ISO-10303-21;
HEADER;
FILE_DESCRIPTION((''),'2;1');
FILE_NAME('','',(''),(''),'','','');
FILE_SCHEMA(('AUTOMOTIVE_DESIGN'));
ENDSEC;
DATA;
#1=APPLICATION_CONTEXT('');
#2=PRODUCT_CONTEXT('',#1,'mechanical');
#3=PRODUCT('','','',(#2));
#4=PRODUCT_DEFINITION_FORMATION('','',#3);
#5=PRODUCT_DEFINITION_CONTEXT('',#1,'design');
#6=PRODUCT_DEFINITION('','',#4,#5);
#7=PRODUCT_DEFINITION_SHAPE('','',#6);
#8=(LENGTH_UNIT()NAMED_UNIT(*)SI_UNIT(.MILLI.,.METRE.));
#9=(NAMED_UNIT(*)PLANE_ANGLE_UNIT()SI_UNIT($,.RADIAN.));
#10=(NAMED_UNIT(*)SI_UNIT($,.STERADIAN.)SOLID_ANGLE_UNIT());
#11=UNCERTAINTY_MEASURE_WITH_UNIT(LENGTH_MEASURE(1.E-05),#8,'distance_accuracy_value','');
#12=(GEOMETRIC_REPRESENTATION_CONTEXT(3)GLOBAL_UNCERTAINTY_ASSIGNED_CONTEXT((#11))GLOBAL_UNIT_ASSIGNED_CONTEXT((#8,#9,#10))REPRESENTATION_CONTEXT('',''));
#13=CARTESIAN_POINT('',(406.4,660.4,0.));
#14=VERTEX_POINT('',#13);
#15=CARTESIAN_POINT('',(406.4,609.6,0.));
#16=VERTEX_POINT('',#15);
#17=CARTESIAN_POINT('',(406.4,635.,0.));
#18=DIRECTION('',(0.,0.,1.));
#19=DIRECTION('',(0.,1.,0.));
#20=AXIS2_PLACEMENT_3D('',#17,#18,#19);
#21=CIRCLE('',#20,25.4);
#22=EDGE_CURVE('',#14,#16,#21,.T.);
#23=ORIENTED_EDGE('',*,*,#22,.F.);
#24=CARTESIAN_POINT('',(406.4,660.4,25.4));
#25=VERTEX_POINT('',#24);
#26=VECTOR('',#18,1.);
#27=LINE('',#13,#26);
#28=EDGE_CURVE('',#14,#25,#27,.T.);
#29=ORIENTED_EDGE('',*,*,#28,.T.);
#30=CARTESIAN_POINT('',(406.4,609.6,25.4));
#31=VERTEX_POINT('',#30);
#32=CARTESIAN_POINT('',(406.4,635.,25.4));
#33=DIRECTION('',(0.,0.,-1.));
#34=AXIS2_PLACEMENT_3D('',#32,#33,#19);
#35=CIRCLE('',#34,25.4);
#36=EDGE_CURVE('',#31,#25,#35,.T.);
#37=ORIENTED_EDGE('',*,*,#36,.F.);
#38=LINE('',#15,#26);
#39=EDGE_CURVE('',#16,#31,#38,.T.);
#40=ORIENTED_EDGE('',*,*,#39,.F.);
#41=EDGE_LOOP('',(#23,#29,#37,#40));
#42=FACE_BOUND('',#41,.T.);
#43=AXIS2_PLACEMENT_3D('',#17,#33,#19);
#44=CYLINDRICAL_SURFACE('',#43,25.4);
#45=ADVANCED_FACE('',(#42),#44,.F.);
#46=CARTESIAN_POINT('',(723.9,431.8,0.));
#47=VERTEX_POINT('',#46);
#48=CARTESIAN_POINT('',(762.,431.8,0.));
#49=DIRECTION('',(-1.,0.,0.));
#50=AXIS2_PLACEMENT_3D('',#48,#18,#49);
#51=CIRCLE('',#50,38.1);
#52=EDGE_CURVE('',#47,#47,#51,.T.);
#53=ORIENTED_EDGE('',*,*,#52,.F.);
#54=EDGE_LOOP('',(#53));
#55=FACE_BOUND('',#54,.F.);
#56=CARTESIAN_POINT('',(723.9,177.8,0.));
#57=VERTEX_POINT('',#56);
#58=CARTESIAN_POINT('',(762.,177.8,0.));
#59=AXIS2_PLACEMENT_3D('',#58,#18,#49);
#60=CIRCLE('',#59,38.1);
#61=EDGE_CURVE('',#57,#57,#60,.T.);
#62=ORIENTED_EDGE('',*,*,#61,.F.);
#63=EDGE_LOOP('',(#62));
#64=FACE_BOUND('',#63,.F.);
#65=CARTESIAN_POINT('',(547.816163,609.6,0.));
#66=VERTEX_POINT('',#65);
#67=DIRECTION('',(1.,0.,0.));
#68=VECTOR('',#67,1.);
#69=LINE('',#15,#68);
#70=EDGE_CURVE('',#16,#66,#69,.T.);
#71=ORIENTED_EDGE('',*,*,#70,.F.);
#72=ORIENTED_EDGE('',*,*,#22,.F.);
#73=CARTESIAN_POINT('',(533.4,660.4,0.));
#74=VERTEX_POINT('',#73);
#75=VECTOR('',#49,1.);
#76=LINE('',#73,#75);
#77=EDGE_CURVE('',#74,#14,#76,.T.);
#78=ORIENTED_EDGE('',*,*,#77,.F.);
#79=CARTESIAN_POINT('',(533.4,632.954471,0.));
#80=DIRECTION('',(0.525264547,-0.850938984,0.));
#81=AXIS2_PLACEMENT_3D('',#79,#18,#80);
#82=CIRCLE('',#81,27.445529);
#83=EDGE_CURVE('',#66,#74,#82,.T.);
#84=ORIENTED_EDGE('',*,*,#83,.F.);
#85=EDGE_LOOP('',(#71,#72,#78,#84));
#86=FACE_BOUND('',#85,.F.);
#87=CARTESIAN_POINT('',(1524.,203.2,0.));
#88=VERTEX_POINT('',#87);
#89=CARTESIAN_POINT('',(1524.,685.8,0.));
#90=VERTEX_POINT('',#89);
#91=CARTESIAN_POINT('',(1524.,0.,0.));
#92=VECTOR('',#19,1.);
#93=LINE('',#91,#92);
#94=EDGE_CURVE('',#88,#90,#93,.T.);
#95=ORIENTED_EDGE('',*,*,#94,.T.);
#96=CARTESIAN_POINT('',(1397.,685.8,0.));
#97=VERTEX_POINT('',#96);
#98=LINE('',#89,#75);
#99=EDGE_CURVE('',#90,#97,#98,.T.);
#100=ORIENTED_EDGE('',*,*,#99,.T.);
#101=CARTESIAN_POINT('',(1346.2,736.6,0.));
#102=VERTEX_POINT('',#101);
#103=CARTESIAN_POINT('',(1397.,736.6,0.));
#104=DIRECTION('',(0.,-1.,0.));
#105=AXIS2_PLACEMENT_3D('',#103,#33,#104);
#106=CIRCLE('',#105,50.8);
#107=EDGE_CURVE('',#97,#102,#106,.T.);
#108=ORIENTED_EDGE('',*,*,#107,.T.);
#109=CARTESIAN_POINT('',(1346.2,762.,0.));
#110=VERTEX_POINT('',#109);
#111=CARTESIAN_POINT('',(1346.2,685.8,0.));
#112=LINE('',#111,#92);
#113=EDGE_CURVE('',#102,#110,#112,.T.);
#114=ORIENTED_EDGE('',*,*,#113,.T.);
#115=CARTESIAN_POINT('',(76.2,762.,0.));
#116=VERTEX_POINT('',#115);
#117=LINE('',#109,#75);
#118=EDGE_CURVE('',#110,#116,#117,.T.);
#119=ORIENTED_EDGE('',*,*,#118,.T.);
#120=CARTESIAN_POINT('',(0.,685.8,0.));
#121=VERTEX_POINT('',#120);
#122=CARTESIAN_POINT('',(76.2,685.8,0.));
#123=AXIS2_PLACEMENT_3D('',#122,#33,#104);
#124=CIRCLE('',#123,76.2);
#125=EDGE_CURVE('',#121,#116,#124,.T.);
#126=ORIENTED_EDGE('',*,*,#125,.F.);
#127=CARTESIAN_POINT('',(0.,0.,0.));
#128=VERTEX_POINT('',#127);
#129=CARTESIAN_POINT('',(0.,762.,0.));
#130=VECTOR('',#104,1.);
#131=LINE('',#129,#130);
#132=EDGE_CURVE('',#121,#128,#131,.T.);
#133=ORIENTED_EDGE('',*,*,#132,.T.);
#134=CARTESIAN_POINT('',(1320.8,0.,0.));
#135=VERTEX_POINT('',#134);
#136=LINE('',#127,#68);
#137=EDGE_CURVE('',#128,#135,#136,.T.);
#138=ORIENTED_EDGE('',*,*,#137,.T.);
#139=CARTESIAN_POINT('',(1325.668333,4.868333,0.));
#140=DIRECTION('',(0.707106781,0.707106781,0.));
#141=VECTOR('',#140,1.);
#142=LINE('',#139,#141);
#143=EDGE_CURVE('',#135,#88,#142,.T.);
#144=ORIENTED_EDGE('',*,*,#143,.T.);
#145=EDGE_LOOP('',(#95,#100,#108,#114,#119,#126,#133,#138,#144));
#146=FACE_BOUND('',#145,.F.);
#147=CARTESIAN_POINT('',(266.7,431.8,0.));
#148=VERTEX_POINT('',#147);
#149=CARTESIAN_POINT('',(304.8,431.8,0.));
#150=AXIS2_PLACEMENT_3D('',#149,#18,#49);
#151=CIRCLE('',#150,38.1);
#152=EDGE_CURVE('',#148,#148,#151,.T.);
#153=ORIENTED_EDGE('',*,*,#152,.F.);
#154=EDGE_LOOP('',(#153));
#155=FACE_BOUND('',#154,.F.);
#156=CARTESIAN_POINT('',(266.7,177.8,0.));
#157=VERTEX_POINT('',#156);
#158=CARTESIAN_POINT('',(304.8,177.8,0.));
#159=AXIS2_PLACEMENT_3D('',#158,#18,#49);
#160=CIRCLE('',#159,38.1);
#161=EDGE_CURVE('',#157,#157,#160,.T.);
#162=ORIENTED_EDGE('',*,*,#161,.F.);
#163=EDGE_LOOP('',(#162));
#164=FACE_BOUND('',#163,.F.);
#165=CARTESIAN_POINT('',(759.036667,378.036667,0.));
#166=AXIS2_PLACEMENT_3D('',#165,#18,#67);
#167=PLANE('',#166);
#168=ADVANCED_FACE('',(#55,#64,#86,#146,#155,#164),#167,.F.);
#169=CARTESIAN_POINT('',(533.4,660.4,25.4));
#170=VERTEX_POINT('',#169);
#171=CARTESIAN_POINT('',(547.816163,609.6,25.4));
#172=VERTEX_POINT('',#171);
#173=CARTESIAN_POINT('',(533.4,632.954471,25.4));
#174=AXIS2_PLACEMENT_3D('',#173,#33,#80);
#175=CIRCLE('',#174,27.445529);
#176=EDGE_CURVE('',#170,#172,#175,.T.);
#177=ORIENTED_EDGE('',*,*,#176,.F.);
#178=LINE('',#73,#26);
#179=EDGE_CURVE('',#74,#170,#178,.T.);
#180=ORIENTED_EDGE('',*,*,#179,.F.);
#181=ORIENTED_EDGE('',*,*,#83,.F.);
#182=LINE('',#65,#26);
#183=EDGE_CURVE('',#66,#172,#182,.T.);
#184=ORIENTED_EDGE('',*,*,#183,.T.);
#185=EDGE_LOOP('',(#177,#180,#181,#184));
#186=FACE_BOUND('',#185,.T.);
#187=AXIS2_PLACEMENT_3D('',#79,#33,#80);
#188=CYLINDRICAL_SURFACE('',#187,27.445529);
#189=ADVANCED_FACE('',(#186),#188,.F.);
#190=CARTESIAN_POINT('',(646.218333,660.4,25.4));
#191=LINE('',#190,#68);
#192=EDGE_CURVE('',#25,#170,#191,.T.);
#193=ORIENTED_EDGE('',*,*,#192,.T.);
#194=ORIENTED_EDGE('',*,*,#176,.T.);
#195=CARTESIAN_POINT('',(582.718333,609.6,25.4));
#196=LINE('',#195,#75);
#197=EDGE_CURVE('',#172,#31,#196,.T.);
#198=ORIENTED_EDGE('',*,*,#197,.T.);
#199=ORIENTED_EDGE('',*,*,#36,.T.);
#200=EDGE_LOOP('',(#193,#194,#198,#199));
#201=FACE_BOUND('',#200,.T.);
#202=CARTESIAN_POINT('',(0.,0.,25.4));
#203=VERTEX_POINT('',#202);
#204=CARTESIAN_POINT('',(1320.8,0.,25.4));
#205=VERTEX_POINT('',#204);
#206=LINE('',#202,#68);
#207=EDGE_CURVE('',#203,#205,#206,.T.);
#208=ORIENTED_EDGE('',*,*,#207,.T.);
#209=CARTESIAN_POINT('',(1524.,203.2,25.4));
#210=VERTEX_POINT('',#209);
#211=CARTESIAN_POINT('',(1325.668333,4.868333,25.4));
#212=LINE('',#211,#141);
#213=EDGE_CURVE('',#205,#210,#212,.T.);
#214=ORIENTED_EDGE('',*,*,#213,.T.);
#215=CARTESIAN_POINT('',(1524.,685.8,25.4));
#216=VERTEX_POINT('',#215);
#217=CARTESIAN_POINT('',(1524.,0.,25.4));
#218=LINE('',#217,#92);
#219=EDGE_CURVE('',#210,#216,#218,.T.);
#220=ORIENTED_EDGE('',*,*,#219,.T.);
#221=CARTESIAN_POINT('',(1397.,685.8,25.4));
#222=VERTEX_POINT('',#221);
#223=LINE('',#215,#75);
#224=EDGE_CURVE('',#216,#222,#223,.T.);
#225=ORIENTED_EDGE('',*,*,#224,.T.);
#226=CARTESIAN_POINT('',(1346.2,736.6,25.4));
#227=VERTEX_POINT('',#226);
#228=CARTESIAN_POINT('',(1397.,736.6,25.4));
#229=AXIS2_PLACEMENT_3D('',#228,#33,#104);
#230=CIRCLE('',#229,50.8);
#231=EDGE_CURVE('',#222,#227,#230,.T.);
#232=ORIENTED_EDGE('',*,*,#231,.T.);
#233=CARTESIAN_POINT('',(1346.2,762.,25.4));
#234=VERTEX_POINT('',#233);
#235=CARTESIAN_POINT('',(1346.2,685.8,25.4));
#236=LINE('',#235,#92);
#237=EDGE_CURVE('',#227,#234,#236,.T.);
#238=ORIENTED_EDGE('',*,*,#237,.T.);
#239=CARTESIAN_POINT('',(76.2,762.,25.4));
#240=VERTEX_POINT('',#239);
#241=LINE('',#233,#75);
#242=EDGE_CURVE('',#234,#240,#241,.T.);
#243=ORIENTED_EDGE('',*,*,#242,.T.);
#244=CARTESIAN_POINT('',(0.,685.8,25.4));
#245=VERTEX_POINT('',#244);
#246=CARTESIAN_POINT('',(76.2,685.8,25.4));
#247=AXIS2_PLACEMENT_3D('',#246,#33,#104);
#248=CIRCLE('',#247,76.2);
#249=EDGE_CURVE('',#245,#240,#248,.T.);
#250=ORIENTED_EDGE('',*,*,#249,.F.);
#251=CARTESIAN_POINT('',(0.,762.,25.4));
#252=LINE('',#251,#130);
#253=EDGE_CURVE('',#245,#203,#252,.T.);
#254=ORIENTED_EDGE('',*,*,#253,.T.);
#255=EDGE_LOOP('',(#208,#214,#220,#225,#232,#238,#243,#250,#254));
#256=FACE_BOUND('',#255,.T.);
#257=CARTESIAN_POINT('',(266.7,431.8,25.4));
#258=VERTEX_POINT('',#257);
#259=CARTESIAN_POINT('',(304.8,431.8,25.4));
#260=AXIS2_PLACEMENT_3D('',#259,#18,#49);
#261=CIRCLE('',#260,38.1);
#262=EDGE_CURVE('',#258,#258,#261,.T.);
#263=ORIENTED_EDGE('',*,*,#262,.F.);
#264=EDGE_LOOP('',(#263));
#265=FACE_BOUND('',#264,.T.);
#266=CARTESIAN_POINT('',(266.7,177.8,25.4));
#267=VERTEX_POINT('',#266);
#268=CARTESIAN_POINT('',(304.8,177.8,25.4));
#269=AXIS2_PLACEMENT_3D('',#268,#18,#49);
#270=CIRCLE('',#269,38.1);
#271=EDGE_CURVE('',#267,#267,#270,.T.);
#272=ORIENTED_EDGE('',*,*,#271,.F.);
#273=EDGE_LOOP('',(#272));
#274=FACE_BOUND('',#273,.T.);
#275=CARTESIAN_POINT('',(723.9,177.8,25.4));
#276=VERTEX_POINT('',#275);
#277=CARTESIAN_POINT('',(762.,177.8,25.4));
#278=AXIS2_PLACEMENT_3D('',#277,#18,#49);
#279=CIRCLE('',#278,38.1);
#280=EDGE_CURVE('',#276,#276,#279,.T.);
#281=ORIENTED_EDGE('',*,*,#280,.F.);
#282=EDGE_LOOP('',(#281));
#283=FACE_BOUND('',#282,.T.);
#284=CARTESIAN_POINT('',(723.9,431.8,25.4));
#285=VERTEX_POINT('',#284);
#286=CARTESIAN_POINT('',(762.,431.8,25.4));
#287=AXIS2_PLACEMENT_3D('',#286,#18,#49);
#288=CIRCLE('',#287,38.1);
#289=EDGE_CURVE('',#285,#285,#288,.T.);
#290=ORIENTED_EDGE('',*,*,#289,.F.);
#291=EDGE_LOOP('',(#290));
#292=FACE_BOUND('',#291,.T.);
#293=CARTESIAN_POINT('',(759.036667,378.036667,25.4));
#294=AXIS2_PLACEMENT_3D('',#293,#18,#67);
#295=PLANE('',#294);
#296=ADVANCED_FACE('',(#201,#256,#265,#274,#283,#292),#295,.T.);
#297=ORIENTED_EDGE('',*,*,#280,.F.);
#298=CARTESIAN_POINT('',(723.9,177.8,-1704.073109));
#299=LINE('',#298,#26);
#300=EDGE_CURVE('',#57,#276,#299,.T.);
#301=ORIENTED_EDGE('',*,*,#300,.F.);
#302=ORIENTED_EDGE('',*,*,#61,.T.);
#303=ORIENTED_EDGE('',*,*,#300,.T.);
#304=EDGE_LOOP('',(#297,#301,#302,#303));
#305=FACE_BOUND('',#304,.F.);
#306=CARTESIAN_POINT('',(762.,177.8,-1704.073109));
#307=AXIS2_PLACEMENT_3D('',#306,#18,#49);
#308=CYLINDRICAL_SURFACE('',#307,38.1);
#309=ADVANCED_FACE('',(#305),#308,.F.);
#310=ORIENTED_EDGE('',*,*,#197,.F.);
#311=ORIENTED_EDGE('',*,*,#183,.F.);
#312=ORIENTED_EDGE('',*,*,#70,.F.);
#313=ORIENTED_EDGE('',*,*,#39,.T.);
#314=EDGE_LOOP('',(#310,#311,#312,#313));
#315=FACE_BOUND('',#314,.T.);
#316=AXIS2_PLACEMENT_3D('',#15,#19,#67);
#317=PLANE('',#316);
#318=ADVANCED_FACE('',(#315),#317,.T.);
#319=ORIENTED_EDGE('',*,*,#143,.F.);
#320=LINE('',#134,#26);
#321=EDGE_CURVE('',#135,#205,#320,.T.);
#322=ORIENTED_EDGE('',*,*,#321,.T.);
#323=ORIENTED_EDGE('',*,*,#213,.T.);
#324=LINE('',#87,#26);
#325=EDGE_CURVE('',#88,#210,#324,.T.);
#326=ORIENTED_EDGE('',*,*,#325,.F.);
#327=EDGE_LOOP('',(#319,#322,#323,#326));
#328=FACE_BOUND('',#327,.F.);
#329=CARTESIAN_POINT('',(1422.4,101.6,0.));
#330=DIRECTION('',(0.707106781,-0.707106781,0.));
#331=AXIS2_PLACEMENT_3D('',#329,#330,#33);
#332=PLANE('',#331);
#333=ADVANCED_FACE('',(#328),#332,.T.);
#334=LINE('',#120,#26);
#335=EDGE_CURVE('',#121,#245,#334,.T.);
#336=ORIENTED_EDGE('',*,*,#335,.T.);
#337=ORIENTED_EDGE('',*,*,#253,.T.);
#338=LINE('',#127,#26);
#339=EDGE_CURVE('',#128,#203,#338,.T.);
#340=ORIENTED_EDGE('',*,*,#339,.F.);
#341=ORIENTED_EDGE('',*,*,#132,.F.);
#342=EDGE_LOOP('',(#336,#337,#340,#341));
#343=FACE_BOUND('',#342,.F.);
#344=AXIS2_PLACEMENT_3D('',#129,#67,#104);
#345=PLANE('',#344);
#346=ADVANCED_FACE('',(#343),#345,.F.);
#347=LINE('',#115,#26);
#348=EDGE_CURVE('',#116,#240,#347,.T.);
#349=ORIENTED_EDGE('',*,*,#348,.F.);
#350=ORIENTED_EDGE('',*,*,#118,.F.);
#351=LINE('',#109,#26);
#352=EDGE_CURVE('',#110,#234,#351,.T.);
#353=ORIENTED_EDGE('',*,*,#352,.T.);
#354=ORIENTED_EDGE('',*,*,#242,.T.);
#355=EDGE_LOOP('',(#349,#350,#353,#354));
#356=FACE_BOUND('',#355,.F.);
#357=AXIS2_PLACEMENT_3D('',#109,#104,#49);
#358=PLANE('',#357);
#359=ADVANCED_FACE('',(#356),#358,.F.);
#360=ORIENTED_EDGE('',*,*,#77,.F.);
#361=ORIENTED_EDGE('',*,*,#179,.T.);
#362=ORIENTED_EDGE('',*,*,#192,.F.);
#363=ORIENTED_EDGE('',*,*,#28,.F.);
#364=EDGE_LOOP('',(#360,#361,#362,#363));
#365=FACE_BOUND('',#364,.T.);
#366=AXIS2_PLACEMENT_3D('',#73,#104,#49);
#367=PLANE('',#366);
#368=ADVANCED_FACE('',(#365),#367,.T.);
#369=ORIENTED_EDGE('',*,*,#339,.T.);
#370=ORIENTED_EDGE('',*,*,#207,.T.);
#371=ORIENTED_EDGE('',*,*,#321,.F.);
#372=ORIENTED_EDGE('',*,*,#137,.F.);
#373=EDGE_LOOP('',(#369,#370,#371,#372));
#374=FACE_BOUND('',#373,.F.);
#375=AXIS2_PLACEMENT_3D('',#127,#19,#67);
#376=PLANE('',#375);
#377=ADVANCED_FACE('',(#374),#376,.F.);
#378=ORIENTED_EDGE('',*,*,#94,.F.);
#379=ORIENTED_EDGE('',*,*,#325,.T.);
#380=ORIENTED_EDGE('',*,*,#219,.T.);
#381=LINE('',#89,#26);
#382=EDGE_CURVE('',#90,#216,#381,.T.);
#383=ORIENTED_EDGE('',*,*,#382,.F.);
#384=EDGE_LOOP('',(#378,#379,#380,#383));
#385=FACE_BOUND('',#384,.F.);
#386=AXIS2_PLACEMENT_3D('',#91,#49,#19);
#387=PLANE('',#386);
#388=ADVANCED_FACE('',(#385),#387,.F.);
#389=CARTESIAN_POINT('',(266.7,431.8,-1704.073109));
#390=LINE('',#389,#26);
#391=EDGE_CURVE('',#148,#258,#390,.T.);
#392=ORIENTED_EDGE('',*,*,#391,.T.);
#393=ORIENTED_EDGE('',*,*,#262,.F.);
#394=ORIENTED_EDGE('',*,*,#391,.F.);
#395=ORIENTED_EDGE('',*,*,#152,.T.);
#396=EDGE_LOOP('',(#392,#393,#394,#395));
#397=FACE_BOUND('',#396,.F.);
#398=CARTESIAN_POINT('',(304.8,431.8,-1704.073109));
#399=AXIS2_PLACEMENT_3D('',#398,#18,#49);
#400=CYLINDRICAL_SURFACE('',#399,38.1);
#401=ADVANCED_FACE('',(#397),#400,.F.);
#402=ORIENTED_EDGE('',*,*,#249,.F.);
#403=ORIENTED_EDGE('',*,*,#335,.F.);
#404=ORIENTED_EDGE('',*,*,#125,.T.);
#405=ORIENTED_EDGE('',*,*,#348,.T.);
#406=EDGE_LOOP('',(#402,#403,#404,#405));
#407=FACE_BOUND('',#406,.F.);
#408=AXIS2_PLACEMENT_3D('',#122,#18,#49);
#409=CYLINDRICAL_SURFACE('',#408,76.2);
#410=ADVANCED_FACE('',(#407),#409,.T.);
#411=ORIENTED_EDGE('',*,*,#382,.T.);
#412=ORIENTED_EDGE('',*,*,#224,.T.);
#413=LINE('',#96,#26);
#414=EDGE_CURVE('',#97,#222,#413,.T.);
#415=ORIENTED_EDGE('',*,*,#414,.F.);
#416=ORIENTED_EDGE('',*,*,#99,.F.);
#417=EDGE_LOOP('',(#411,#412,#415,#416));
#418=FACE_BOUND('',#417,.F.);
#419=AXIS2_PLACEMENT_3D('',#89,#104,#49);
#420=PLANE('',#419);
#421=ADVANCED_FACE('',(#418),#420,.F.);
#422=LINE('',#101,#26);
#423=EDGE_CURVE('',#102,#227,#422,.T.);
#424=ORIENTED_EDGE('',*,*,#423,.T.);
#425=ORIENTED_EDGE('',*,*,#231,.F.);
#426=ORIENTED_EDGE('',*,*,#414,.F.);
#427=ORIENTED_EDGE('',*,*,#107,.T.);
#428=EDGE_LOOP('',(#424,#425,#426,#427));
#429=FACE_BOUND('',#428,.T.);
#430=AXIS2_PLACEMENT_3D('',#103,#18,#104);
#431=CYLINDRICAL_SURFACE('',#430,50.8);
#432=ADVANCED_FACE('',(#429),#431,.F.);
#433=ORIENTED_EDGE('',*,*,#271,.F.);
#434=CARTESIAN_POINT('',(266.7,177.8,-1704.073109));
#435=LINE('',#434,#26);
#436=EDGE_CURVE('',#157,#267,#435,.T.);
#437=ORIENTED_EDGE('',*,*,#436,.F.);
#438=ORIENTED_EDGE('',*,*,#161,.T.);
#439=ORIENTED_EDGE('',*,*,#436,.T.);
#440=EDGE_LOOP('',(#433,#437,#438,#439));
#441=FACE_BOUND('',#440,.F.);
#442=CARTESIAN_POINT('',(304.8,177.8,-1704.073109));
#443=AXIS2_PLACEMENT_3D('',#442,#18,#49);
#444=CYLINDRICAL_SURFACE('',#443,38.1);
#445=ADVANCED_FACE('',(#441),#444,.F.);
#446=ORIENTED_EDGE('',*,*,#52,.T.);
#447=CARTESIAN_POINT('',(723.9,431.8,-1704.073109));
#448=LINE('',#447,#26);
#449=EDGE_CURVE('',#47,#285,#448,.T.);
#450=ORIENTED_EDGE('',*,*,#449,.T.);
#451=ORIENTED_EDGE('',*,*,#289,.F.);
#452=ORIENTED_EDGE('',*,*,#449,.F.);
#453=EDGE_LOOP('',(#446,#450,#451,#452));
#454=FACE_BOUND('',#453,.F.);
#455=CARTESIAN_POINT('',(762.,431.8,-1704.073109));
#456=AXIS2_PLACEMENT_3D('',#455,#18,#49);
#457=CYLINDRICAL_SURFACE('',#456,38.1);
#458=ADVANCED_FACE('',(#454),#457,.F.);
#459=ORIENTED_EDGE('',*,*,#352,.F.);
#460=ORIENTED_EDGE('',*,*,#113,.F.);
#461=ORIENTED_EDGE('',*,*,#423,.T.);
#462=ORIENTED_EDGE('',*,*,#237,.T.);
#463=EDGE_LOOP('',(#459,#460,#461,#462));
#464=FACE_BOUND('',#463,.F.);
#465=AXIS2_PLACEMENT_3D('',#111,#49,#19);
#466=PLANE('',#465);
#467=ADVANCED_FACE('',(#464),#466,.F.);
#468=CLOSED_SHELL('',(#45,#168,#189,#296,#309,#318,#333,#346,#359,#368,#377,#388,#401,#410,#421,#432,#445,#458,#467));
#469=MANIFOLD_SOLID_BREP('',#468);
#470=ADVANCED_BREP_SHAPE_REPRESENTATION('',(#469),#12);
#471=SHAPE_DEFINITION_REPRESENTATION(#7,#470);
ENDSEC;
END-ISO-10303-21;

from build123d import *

# Parameters (mm, degrees)
F1_DEPTH = 25.4
F2_D     = 76.2
F3_R     = 76.2
F4_SIZE  = 203.2
F5_R     = 50.8
F7_DEPTH = 25.401


with BuildPart() as f1:
    # F0 (on Top) → F1 (new body)
    with BuildSketch(Plane.XY):
        Polygon((0, 762), (0, 0), (1524, 0), (1524, 685.8), (1346.2, 685.8), (1346.2, 762), align=None)
    extrude(amount=F1_DEPTH)

    # F2 (through all)
    with Locations(Plane(origin=(0, 0, 0), x_dir=(1, 0, 0), z_dir=(0, 0, -1))):
        with Locations((304.8, -177.8), (304.8, -431.8), (762, -431.8), (762, -177.8)):
            Hole(F2_D / 2)

    # F3
    f3_edges = [f1.edges().sort_by_distance(p)[0] for p in [
        (0, 762, 12.7),
    ]]
    fillet(f3_edges, radius=F3_R)

    # F4
    f4_edges = [f1.edges().sort_by_distance(p)[0] for p in [
        (1524, 0, 12.7),
    ]]
    chamfer(f4_edges, length=F4_SIZE)

    # F5
    f5_edges = [f1.edges().sort_by_distance(p)[0] for p in [
        (1346.2, 685.8, 12.7),
    ]]
    fillet(f5_edges, radius=F5_R)

    # F6 (on Top) → F7 (cut, through all)
    with BuildSketch(Plane.XY):
        with BuildLine():
            Line((533.4, 660.4), (406.4, 660.4))
            ThreePointArc((406.4, 660.4), (381, 635), (406.4, 609.6))
            Line((406.4, 609.6), (547.8161634918, 609.6))
            ThreePointArc((547.8161634918, 609.6), (559.802962759, 640.4471760412), (533.4, 660.4))
        make_face()
    extrude(amount=F7_DEPTH, mode=Mode.SUBTRACT)


solid = f1.part
